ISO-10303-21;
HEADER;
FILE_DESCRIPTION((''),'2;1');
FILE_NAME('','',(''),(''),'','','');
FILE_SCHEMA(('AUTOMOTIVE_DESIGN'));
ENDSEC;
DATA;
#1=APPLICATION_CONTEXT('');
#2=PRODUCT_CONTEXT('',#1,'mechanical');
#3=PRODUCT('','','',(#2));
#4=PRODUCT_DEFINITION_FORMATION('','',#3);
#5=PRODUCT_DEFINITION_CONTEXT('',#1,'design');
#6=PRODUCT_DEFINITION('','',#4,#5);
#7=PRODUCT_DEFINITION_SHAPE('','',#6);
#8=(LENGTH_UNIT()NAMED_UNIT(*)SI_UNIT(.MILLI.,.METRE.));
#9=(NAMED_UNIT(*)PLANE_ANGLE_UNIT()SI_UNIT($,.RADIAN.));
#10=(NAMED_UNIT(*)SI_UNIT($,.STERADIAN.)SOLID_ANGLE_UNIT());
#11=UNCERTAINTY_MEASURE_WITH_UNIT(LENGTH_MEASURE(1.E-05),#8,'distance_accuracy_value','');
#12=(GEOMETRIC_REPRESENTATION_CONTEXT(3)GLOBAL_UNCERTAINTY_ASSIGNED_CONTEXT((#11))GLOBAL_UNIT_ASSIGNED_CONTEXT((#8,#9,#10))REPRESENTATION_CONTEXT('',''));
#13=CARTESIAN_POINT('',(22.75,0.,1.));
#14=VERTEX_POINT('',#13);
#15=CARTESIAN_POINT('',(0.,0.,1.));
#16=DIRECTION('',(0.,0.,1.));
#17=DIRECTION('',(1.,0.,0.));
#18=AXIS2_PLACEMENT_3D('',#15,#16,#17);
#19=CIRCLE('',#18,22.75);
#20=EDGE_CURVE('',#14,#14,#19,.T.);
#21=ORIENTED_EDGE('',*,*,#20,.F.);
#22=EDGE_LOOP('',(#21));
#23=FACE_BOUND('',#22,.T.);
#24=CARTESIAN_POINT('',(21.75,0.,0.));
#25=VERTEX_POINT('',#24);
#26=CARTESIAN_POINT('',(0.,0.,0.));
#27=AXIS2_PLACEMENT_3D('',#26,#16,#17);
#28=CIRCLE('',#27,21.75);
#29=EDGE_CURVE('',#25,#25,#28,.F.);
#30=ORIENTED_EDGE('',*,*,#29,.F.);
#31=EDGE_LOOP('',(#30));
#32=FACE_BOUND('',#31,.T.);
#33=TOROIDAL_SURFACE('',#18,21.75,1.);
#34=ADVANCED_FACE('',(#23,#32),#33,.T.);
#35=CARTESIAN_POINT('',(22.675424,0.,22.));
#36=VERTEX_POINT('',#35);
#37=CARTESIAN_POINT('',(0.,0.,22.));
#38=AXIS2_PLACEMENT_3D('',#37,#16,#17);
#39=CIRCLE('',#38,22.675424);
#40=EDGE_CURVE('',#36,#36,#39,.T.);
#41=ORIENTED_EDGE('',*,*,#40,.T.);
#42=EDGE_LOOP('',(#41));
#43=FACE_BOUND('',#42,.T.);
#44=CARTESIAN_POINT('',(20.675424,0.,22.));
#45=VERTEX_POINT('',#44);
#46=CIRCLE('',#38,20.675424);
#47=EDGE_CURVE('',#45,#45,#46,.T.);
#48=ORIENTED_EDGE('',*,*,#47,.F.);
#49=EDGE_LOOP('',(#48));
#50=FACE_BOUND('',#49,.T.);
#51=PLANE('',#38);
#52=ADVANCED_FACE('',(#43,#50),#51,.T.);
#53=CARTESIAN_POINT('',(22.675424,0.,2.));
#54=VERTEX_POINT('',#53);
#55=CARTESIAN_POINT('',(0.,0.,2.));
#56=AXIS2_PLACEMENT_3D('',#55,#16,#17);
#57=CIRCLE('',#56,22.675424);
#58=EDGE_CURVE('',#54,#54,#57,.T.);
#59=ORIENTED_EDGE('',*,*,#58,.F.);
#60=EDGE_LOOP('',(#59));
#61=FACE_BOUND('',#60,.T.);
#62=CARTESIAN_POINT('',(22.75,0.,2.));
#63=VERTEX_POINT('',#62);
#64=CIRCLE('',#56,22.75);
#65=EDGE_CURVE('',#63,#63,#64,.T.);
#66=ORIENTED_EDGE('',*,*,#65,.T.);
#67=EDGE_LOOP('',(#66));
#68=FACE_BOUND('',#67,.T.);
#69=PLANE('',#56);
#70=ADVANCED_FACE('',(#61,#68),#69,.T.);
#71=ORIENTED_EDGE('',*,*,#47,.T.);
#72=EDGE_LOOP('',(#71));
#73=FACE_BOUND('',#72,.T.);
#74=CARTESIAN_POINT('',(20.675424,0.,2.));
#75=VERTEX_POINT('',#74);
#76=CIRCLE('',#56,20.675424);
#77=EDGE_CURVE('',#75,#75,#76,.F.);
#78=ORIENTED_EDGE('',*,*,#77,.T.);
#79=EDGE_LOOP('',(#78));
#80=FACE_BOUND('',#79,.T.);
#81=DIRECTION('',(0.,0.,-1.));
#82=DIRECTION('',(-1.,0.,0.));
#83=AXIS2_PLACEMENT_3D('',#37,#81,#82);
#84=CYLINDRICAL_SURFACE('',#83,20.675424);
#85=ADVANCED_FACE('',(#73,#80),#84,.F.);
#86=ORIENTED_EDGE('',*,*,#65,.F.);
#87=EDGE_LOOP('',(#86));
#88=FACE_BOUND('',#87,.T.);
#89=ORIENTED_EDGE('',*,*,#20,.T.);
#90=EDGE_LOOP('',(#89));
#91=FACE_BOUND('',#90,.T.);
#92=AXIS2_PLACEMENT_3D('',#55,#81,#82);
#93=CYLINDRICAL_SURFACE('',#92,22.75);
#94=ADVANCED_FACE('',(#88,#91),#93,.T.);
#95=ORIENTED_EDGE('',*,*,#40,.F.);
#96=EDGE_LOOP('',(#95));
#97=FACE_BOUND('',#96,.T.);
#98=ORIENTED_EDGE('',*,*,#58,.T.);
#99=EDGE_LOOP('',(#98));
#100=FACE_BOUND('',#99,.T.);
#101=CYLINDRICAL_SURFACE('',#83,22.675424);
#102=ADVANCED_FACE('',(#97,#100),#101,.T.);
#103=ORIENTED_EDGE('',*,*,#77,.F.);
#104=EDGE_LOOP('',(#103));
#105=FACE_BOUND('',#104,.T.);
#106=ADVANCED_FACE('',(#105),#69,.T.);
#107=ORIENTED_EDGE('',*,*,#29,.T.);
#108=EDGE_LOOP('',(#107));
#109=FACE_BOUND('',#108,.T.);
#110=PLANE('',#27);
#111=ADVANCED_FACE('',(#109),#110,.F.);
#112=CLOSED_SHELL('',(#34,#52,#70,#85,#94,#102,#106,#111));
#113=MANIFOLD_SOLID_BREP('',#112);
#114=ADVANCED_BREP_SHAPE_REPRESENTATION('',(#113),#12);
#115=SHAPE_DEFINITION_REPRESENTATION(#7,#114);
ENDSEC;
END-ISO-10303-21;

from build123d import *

# Parameters (mm, degrees)
SKETCH1_R           = 22.75
BOSS_EXTRUDE1_DEPTH = 2
SKETCH2_R           = 22.675423682
SKETCH2_R_2         = 20.675423682
BOSS_EXTRUDE2_DEPTH = 20
FILLET1_R           = 1


with BuildPart() as part:
    # Sketch1 → Boss-Extrude1 (new body)
    with BuildSketch(Plane.XY):
        Circle(SKETCH1_R)
    extrude(amount=BOSS_EXTRUDE1_DEPTH)

    # Sketch2 → Boss-Extrude2 (add)
    with BuildSketch(Plane.XY.offset(2)):
        Circle(SKETCH2_R)
        Circle(SKETCH2_R_2, mode=Mode.SUBTRACT)
    extrude(amount=BOSS_EXTRUDE2_DEPTH)

    # Fillet1
    fillet1_edges = [part.edges().sort_by_distance(p)[0] for p in [
        (-22.75, 0, 0),
    ]]
    fillet(fillet1_edges, radius=FILLET1_R)


solid = part.part
